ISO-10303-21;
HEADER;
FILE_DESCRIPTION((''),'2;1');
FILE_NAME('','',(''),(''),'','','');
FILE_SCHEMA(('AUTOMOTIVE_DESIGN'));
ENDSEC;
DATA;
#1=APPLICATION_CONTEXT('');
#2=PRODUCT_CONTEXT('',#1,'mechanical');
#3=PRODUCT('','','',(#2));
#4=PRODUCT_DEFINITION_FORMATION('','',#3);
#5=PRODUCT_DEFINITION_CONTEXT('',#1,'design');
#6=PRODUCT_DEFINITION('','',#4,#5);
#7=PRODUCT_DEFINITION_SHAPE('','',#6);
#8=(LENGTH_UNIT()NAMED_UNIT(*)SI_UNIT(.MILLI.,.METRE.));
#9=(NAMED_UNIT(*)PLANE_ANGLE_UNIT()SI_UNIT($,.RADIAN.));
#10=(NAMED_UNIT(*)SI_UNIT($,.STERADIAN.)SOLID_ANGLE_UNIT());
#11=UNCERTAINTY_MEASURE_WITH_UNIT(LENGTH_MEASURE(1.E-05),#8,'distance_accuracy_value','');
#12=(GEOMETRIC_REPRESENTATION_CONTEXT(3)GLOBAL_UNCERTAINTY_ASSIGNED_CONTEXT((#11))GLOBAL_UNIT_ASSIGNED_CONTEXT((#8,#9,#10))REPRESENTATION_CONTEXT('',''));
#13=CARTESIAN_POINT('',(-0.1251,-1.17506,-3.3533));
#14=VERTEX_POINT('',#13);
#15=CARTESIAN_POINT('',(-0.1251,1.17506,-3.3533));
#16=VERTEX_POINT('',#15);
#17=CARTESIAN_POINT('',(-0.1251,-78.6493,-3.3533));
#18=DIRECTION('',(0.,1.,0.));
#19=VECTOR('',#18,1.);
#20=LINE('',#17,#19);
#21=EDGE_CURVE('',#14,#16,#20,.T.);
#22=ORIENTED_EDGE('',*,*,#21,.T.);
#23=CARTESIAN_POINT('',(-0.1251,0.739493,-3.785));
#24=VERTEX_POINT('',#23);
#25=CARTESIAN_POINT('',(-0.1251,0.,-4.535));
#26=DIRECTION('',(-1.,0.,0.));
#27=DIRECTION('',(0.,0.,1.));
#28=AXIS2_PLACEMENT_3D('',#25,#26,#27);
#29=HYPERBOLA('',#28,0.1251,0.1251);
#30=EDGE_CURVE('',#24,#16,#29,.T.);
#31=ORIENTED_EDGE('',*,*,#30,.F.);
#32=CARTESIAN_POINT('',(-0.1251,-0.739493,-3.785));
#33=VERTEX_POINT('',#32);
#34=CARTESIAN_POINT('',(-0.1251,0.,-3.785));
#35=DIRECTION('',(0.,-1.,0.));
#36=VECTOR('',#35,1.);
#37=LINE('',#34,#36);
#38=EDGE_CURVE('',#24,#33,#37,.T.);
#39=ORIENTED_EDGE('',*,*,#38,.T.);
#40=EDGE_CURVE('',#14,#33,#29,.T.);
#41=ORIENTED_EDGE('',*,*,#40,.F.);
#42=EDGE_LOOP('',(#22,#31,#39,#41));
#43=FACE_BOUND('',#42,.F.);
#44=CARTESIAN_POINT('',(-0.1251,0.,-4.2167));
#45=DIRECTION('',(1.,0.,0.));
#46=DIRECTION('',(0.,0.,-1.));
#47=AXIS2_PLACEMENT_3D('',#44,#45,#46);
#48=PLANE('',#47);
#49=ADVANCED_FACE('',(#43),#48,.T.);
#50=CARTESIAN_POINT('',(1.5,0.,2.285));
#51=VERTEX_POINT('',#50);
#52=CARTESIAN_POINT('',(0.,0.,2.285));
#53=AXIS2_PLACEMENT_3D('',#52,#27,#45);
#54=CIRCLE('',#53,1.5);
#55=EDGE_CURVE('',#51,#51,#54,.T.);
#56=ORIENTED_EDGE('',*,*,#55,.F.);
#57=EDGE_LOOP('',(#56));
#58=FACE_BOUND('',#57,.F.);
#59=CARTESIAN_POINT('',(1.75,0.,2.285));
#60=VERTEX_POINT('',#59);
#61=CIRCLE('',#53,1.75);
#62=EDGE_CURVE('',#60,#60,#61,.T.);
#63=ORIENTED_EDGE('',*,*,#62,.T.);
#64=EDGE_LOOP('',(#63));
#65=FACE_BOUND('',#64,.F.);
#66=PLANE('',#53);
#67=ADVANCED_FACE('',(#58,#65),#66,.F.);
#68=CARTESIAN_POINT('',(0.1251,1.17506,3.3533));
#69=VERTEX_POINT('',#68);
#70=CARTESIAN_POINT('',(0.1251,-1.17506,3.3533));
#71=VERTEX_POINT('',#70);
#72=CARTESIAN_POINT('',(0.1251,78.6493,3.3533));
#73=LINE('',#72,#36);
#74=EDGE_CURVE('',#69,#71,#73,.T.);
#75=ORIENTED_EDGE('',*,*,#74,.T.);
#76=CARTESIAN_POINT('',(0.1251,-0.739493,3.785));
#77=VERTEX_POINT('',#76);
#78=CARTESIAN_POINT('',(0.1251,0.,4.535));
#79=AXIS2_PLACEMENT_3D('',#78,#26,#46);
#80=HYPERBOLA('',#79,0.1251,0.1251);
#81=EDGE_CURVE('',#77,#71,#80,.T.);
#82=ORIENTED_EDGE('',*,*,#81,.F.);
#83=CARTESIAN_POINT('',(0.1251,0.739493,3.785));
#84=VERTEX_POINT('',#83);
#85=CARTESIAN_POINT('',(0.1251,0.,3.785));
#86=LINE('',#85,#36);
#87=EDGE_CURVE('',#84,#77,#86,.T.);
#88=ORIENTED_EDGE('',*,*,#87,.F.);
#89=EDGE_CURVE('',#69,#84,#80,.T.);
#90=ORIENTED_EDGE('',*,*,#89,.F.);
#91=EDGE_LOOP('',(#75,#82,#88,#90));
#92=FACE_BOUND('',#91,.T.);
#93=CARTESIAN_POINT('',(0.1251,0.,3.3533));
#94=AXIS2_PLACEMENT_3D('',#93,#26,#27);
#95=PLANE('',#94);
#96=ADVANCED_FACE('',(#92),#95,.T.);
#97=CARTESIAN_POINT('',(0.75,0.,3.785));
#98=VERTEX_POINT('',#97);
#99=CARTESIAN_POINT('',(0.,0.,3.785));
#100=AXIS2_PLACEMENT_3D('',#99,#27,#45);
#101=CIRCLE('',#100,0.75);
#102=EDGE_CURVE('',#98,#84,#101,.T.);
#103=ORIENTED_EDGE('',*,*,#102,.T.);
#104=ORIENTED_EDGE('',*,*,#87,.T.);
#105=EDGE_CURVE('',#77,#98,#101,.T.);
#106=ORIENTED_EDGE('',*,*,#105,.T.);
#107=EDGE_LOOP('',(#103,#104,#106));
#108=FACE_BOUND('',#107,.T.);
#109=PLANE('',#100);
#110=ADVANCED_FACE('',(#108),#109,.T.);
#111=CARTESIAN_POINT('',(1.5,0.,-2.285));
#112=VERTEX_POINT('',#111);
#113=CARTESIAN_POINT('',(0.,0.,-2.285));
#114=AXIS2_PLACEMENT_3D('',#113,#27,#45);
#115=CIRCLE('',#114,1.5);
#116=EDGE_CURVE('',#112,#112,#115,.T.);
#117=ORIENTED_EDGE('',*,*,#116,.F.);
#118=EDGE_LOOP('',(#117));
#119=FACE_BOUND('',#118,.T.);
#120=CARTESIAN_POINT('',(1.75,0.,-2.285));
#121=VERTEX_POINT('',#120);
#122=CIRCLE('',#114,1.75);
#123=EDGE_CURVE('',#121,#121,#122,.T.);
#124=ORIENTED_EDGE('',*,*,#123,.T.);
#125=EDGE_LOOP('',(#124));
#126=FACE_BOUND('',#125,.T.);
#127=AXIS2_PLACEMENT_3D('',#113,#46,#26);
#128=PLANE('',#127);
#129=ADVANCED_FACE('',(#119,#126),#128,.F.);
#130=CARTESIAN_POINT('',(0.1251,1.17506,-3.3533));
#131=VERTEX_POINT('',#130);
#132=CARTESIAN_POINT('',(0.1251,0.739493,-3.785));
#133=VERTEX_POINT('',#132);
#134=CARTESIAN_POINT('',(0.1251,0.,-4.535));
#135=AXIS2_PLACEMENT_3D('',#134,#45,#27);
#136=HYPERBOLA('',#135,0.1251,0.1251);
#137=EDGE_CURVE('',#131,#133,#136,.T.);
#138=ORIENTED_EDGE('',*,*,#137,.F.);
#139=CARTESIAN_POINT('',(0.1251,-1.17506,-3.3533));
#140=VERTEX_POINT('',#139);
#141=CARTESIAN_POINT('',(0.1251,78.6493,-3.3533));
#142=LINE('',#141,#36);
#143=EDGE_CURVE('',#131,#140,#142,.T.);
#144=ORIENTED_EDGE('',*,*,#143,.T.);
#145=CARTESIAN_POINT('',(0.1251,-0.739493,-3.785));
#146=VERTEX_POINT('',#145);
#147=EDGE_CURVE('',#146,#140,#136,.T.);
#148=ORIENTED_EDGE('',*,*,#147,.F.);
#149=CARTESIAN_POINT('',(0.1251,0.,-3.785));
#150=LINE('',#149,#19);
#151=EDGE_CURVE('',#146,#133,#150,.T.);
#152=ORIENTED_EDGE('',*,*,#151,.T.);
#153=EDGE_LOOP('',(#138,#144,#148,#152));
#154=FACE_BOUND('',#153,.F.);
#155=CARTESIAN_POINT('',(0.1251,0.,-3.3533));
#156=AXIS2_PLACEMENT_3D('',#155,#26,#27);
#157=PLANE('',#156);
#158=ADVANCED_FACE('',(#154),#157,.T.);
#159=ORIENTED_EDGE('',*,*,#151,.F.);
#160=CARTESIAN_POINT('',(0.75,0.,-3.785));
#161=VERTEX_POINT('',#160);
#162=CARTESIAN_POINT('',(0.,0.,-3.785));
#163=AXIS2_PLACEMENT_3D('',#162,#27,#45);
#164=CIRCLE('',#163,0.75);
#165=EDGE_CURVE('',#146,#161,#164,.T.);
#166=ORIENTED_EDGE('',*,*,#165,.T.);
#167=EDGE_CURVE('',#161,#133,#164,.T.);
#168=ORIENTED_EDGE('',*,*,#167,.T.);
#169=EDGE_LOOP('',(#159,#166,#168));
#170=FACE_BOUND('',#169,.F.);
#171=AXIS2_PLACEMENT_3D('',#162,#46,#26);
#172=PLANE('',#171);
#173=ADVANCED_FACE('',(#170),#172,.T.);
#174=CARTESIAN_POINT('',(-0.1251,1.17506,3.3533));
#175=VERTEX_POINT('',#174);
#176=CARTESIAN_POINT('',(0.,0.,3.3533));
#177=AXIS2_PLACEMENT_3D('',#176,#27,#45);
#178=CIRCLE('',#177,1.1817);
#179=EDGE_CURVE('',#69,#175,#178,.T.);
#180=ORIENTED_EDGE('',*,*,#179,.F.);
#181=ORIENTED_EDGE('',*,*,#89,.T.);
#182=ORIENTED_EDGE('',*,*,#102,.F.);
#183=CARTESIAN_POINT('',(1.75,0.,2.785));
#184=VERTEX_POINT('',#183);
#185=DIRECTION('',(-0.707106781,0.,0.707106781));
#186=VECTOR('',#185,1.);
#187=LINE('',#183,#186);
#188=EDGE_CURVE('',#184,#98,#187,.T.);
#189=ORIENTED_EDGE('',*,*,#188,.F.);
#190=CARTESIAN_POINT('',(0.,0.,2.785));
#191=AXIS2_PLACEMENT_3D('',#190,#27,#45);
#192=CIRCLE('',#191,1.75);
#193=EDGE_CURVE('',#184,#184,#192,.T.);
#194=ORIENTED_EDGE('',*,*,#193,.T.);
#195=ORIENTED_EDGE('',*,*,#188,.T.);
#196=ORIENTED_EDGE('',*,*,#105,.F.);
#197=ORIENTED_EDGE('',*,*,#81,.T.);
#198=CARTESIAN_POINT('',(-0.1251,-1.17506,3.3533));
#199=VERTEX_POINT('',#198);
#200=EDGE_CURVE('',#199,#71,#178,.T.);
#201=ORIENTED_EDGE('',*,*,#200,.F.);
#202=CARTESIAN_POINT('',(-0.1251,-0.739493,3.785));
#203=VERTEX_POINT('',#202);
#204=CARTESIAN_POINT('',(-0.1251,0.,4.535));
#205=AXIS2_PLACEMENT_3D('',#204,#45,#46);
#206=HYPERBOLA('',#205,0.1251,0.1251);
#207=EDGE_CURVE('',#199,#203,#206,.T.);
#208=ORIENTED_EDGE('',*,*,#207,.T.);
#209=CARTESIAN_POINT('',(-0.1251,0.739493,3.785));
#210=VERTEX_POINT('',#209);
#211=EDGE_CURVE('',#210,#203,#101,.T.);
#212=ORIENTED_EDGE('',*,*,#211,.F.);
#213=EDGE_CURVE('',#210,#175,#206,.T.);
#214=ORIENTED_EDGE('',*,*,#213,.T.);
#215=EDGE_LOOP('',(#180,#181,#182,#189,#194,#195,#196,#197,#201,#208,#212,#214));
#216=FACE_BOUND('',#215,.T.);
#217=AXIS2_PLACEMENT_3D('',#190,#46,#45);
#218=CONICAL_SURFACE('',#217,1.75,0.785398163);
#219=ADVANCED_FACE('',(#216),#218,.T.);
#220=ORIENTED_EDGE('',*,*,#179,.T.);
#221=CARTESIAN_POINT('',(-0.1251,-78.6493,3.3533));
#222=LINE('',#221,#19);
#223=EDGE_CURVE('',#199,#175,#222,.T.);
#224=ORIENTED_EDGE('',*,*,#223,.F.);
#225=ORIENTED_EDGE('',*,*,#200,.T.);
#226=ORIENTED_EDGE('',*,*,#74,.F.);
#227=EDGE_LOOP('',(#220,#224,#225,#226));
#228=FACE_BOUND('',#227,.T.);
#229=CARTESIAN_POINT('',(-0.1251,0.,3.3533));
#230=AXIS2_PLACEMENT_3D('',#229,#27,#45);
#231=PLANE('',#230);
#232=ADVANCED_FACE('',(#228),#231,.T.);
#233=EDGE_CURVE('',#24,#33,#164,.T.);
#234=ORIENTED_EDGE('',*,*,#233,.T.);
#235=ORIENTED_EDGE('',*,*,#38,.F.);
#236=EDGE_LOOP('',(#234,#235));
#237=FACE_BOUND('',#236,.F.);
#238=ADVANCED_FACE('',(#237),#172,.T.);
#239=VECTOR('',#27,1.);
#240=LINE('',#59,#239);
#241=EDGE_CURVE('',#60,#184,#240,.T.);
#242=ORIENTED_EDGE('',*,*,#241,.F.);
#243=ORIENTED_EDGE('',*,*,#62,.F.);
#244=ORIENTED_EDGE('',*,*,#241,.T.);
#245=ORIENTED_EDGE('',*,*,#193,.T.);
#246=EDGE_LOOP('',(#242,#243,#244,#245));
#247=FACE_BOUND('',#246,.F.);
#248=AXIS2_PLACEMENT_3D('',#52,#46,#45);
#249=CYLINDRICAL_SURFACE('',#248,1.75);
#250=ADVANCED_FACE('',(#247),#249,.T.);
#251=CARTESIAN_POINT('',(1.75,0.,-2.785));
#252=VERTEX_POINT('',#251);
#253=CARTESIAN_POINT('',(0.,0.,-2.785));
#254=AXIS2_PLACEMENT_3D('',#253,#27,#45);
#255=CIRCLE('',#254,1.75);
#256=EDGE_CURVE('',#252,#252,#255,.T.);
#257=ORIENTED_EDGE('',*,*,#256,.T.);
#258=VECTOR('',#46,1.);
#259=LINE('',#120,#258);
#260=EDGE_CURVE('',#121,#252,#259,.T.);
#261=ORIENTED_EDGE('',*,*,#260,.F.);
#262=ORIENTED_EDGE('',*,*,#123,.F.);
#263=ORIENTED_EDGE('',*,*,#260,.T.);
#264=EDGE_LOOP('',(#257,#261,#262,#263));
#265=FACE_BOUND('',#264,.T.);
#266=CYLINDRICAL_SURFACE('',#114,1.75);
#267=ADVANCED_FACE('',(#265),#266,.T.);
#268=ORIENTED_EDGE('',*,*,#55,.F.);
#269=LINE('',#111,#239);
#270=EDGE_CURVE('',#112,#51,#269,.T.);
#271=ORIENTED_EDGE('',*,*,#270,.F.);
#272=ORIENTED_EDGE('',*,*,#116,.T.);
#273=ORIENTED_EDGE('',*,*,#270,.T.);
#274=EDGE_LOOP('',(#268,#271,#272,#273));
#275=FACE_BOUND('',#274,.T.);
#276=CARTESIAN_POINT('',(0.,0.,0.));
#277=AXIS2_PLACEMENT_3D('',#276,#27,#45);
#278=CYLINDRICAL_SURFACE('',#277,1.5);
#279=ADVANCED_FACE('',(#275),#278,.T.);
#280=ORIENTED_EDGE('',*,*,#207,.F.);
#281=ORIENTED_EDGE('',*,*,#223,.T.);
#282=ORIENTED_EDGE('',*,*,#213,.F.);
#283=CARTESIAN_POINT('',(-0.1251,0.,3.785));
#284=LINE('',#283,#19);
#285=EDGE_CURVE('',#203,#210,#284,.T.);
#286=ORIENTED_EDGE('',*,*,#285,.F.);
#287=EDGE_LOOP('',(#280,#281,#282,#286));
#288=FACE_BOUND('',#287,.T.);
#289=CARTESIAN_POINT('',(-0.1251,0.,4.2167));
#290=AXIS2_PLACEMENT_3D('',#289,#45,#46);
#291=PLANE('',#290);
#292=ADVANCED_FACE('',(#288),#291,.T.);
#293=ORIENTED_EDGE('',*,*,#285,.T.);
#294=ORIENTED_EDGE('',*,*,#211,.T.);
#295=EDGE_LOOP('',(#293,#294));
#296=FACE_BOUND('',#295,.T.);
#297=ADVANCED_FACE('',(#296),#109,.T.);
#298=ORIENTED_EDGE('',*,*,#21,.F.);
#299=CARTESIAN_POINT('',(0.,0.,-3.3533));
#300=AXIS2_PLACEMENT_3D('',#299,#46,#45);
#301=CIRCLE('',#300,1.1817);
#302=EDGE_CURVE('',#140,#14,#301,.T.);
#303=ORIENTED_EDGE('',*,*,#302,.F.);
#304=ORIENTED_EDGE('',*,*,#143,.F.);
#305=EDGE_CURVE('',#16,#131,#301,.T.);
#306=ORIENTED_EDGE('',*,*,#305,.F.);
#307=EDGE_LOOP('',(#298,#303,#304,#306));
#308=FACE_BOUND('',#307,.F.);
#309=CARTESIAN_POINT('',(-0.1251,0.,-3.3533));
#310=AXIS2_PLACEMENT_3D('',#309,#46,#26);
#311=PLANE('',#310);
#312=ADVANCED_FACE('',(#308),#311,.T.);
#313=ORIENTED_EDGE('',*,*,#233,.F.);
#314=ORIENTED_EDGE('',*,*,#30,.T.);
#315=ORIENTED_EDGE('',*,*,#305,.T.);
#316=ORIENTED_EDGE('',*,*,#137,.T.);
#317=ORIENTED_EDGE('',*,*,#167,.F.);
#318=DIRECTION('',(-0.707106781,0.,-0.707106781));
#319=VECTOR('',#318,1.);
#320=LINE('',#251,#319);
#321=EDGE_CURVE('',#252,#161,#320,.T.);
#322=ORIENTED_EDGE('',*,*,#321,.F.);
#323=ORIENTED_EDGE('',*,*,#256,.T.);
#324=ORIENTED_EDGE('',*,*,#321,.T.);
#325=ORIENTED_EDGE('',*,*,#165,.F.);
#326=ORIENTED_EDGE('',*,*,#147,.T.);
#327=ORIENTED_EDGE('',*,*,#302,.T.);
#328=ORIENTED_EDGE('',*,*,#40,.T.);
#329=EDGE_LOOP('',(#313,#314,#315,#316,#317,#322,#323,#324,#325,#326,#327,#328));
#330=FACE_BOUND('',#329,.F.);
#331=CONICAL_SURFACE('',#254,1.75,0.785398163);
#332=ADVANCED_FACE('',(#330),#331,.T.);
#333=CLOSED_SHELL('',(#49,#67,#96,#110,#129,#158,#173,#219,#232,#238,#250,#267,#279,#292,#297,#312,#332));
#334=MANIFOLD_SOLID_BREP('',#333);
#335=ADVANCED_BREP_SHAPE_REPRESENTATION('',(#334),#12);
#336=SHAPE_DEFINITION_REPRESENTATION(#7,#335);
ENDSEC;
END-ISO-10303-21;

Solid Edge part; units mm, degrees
sketch "Sketch1" plane through (0, 0, 0) normal (0, 0, 1) x (1, 0, 0)
  circle A0 centre (0, 0) radius 1.5
extrude "Ajout_matière_1" add sketch "Sketch1" along normal mid plane 4.57
sketch "Sketch2" plane through (0, 0, 2.285) normal (0, 0, 1) x (1, 0, 0)
  circle A0 centre (0, 0) radius 1.75
  dimension "D1" = 3.5
extrude "Ajout_matière_2" add sketch "Sketch2" along normal blind 1.5
chamfer "Chanfrein_1" distance 1 angle 45 1 edges at (-1.75, 0, 3.785)
mirror "Mirror1" about plane through (0, 0, 0) normal (0, 0, 1) of "Ajout_matière_2"
chamfer "Chamfer1" distance 1 angle 45 1 edges at (-1.75, 0, -3.785)
sketch "Sketch3" plane through (0, 0, 0) normal (0, -1, 0) x (1, 0, 0)
  line L0 (-0.1251, 3.3533) -> (0.1251, 3.3533)
  line L1 (0.1251, 3.3533) -> (0.1251, 4.2167)
  line L2 (0.1251, 4.2167) -> (-0.1251, 4.2167)
  line L3 (-0.1251, 4.2167) -> (-0.1251, 3.3533)
extrude "Enlèvement_matière_1" cut sketch "Sketch3" along normal mid plane 157.2986
mirror "Mirror2" about plane through (0, 0, 0) normal (0, 0, 1) of "Enlèvement_matière_1"
properties material "Acrylique, haute performance"
